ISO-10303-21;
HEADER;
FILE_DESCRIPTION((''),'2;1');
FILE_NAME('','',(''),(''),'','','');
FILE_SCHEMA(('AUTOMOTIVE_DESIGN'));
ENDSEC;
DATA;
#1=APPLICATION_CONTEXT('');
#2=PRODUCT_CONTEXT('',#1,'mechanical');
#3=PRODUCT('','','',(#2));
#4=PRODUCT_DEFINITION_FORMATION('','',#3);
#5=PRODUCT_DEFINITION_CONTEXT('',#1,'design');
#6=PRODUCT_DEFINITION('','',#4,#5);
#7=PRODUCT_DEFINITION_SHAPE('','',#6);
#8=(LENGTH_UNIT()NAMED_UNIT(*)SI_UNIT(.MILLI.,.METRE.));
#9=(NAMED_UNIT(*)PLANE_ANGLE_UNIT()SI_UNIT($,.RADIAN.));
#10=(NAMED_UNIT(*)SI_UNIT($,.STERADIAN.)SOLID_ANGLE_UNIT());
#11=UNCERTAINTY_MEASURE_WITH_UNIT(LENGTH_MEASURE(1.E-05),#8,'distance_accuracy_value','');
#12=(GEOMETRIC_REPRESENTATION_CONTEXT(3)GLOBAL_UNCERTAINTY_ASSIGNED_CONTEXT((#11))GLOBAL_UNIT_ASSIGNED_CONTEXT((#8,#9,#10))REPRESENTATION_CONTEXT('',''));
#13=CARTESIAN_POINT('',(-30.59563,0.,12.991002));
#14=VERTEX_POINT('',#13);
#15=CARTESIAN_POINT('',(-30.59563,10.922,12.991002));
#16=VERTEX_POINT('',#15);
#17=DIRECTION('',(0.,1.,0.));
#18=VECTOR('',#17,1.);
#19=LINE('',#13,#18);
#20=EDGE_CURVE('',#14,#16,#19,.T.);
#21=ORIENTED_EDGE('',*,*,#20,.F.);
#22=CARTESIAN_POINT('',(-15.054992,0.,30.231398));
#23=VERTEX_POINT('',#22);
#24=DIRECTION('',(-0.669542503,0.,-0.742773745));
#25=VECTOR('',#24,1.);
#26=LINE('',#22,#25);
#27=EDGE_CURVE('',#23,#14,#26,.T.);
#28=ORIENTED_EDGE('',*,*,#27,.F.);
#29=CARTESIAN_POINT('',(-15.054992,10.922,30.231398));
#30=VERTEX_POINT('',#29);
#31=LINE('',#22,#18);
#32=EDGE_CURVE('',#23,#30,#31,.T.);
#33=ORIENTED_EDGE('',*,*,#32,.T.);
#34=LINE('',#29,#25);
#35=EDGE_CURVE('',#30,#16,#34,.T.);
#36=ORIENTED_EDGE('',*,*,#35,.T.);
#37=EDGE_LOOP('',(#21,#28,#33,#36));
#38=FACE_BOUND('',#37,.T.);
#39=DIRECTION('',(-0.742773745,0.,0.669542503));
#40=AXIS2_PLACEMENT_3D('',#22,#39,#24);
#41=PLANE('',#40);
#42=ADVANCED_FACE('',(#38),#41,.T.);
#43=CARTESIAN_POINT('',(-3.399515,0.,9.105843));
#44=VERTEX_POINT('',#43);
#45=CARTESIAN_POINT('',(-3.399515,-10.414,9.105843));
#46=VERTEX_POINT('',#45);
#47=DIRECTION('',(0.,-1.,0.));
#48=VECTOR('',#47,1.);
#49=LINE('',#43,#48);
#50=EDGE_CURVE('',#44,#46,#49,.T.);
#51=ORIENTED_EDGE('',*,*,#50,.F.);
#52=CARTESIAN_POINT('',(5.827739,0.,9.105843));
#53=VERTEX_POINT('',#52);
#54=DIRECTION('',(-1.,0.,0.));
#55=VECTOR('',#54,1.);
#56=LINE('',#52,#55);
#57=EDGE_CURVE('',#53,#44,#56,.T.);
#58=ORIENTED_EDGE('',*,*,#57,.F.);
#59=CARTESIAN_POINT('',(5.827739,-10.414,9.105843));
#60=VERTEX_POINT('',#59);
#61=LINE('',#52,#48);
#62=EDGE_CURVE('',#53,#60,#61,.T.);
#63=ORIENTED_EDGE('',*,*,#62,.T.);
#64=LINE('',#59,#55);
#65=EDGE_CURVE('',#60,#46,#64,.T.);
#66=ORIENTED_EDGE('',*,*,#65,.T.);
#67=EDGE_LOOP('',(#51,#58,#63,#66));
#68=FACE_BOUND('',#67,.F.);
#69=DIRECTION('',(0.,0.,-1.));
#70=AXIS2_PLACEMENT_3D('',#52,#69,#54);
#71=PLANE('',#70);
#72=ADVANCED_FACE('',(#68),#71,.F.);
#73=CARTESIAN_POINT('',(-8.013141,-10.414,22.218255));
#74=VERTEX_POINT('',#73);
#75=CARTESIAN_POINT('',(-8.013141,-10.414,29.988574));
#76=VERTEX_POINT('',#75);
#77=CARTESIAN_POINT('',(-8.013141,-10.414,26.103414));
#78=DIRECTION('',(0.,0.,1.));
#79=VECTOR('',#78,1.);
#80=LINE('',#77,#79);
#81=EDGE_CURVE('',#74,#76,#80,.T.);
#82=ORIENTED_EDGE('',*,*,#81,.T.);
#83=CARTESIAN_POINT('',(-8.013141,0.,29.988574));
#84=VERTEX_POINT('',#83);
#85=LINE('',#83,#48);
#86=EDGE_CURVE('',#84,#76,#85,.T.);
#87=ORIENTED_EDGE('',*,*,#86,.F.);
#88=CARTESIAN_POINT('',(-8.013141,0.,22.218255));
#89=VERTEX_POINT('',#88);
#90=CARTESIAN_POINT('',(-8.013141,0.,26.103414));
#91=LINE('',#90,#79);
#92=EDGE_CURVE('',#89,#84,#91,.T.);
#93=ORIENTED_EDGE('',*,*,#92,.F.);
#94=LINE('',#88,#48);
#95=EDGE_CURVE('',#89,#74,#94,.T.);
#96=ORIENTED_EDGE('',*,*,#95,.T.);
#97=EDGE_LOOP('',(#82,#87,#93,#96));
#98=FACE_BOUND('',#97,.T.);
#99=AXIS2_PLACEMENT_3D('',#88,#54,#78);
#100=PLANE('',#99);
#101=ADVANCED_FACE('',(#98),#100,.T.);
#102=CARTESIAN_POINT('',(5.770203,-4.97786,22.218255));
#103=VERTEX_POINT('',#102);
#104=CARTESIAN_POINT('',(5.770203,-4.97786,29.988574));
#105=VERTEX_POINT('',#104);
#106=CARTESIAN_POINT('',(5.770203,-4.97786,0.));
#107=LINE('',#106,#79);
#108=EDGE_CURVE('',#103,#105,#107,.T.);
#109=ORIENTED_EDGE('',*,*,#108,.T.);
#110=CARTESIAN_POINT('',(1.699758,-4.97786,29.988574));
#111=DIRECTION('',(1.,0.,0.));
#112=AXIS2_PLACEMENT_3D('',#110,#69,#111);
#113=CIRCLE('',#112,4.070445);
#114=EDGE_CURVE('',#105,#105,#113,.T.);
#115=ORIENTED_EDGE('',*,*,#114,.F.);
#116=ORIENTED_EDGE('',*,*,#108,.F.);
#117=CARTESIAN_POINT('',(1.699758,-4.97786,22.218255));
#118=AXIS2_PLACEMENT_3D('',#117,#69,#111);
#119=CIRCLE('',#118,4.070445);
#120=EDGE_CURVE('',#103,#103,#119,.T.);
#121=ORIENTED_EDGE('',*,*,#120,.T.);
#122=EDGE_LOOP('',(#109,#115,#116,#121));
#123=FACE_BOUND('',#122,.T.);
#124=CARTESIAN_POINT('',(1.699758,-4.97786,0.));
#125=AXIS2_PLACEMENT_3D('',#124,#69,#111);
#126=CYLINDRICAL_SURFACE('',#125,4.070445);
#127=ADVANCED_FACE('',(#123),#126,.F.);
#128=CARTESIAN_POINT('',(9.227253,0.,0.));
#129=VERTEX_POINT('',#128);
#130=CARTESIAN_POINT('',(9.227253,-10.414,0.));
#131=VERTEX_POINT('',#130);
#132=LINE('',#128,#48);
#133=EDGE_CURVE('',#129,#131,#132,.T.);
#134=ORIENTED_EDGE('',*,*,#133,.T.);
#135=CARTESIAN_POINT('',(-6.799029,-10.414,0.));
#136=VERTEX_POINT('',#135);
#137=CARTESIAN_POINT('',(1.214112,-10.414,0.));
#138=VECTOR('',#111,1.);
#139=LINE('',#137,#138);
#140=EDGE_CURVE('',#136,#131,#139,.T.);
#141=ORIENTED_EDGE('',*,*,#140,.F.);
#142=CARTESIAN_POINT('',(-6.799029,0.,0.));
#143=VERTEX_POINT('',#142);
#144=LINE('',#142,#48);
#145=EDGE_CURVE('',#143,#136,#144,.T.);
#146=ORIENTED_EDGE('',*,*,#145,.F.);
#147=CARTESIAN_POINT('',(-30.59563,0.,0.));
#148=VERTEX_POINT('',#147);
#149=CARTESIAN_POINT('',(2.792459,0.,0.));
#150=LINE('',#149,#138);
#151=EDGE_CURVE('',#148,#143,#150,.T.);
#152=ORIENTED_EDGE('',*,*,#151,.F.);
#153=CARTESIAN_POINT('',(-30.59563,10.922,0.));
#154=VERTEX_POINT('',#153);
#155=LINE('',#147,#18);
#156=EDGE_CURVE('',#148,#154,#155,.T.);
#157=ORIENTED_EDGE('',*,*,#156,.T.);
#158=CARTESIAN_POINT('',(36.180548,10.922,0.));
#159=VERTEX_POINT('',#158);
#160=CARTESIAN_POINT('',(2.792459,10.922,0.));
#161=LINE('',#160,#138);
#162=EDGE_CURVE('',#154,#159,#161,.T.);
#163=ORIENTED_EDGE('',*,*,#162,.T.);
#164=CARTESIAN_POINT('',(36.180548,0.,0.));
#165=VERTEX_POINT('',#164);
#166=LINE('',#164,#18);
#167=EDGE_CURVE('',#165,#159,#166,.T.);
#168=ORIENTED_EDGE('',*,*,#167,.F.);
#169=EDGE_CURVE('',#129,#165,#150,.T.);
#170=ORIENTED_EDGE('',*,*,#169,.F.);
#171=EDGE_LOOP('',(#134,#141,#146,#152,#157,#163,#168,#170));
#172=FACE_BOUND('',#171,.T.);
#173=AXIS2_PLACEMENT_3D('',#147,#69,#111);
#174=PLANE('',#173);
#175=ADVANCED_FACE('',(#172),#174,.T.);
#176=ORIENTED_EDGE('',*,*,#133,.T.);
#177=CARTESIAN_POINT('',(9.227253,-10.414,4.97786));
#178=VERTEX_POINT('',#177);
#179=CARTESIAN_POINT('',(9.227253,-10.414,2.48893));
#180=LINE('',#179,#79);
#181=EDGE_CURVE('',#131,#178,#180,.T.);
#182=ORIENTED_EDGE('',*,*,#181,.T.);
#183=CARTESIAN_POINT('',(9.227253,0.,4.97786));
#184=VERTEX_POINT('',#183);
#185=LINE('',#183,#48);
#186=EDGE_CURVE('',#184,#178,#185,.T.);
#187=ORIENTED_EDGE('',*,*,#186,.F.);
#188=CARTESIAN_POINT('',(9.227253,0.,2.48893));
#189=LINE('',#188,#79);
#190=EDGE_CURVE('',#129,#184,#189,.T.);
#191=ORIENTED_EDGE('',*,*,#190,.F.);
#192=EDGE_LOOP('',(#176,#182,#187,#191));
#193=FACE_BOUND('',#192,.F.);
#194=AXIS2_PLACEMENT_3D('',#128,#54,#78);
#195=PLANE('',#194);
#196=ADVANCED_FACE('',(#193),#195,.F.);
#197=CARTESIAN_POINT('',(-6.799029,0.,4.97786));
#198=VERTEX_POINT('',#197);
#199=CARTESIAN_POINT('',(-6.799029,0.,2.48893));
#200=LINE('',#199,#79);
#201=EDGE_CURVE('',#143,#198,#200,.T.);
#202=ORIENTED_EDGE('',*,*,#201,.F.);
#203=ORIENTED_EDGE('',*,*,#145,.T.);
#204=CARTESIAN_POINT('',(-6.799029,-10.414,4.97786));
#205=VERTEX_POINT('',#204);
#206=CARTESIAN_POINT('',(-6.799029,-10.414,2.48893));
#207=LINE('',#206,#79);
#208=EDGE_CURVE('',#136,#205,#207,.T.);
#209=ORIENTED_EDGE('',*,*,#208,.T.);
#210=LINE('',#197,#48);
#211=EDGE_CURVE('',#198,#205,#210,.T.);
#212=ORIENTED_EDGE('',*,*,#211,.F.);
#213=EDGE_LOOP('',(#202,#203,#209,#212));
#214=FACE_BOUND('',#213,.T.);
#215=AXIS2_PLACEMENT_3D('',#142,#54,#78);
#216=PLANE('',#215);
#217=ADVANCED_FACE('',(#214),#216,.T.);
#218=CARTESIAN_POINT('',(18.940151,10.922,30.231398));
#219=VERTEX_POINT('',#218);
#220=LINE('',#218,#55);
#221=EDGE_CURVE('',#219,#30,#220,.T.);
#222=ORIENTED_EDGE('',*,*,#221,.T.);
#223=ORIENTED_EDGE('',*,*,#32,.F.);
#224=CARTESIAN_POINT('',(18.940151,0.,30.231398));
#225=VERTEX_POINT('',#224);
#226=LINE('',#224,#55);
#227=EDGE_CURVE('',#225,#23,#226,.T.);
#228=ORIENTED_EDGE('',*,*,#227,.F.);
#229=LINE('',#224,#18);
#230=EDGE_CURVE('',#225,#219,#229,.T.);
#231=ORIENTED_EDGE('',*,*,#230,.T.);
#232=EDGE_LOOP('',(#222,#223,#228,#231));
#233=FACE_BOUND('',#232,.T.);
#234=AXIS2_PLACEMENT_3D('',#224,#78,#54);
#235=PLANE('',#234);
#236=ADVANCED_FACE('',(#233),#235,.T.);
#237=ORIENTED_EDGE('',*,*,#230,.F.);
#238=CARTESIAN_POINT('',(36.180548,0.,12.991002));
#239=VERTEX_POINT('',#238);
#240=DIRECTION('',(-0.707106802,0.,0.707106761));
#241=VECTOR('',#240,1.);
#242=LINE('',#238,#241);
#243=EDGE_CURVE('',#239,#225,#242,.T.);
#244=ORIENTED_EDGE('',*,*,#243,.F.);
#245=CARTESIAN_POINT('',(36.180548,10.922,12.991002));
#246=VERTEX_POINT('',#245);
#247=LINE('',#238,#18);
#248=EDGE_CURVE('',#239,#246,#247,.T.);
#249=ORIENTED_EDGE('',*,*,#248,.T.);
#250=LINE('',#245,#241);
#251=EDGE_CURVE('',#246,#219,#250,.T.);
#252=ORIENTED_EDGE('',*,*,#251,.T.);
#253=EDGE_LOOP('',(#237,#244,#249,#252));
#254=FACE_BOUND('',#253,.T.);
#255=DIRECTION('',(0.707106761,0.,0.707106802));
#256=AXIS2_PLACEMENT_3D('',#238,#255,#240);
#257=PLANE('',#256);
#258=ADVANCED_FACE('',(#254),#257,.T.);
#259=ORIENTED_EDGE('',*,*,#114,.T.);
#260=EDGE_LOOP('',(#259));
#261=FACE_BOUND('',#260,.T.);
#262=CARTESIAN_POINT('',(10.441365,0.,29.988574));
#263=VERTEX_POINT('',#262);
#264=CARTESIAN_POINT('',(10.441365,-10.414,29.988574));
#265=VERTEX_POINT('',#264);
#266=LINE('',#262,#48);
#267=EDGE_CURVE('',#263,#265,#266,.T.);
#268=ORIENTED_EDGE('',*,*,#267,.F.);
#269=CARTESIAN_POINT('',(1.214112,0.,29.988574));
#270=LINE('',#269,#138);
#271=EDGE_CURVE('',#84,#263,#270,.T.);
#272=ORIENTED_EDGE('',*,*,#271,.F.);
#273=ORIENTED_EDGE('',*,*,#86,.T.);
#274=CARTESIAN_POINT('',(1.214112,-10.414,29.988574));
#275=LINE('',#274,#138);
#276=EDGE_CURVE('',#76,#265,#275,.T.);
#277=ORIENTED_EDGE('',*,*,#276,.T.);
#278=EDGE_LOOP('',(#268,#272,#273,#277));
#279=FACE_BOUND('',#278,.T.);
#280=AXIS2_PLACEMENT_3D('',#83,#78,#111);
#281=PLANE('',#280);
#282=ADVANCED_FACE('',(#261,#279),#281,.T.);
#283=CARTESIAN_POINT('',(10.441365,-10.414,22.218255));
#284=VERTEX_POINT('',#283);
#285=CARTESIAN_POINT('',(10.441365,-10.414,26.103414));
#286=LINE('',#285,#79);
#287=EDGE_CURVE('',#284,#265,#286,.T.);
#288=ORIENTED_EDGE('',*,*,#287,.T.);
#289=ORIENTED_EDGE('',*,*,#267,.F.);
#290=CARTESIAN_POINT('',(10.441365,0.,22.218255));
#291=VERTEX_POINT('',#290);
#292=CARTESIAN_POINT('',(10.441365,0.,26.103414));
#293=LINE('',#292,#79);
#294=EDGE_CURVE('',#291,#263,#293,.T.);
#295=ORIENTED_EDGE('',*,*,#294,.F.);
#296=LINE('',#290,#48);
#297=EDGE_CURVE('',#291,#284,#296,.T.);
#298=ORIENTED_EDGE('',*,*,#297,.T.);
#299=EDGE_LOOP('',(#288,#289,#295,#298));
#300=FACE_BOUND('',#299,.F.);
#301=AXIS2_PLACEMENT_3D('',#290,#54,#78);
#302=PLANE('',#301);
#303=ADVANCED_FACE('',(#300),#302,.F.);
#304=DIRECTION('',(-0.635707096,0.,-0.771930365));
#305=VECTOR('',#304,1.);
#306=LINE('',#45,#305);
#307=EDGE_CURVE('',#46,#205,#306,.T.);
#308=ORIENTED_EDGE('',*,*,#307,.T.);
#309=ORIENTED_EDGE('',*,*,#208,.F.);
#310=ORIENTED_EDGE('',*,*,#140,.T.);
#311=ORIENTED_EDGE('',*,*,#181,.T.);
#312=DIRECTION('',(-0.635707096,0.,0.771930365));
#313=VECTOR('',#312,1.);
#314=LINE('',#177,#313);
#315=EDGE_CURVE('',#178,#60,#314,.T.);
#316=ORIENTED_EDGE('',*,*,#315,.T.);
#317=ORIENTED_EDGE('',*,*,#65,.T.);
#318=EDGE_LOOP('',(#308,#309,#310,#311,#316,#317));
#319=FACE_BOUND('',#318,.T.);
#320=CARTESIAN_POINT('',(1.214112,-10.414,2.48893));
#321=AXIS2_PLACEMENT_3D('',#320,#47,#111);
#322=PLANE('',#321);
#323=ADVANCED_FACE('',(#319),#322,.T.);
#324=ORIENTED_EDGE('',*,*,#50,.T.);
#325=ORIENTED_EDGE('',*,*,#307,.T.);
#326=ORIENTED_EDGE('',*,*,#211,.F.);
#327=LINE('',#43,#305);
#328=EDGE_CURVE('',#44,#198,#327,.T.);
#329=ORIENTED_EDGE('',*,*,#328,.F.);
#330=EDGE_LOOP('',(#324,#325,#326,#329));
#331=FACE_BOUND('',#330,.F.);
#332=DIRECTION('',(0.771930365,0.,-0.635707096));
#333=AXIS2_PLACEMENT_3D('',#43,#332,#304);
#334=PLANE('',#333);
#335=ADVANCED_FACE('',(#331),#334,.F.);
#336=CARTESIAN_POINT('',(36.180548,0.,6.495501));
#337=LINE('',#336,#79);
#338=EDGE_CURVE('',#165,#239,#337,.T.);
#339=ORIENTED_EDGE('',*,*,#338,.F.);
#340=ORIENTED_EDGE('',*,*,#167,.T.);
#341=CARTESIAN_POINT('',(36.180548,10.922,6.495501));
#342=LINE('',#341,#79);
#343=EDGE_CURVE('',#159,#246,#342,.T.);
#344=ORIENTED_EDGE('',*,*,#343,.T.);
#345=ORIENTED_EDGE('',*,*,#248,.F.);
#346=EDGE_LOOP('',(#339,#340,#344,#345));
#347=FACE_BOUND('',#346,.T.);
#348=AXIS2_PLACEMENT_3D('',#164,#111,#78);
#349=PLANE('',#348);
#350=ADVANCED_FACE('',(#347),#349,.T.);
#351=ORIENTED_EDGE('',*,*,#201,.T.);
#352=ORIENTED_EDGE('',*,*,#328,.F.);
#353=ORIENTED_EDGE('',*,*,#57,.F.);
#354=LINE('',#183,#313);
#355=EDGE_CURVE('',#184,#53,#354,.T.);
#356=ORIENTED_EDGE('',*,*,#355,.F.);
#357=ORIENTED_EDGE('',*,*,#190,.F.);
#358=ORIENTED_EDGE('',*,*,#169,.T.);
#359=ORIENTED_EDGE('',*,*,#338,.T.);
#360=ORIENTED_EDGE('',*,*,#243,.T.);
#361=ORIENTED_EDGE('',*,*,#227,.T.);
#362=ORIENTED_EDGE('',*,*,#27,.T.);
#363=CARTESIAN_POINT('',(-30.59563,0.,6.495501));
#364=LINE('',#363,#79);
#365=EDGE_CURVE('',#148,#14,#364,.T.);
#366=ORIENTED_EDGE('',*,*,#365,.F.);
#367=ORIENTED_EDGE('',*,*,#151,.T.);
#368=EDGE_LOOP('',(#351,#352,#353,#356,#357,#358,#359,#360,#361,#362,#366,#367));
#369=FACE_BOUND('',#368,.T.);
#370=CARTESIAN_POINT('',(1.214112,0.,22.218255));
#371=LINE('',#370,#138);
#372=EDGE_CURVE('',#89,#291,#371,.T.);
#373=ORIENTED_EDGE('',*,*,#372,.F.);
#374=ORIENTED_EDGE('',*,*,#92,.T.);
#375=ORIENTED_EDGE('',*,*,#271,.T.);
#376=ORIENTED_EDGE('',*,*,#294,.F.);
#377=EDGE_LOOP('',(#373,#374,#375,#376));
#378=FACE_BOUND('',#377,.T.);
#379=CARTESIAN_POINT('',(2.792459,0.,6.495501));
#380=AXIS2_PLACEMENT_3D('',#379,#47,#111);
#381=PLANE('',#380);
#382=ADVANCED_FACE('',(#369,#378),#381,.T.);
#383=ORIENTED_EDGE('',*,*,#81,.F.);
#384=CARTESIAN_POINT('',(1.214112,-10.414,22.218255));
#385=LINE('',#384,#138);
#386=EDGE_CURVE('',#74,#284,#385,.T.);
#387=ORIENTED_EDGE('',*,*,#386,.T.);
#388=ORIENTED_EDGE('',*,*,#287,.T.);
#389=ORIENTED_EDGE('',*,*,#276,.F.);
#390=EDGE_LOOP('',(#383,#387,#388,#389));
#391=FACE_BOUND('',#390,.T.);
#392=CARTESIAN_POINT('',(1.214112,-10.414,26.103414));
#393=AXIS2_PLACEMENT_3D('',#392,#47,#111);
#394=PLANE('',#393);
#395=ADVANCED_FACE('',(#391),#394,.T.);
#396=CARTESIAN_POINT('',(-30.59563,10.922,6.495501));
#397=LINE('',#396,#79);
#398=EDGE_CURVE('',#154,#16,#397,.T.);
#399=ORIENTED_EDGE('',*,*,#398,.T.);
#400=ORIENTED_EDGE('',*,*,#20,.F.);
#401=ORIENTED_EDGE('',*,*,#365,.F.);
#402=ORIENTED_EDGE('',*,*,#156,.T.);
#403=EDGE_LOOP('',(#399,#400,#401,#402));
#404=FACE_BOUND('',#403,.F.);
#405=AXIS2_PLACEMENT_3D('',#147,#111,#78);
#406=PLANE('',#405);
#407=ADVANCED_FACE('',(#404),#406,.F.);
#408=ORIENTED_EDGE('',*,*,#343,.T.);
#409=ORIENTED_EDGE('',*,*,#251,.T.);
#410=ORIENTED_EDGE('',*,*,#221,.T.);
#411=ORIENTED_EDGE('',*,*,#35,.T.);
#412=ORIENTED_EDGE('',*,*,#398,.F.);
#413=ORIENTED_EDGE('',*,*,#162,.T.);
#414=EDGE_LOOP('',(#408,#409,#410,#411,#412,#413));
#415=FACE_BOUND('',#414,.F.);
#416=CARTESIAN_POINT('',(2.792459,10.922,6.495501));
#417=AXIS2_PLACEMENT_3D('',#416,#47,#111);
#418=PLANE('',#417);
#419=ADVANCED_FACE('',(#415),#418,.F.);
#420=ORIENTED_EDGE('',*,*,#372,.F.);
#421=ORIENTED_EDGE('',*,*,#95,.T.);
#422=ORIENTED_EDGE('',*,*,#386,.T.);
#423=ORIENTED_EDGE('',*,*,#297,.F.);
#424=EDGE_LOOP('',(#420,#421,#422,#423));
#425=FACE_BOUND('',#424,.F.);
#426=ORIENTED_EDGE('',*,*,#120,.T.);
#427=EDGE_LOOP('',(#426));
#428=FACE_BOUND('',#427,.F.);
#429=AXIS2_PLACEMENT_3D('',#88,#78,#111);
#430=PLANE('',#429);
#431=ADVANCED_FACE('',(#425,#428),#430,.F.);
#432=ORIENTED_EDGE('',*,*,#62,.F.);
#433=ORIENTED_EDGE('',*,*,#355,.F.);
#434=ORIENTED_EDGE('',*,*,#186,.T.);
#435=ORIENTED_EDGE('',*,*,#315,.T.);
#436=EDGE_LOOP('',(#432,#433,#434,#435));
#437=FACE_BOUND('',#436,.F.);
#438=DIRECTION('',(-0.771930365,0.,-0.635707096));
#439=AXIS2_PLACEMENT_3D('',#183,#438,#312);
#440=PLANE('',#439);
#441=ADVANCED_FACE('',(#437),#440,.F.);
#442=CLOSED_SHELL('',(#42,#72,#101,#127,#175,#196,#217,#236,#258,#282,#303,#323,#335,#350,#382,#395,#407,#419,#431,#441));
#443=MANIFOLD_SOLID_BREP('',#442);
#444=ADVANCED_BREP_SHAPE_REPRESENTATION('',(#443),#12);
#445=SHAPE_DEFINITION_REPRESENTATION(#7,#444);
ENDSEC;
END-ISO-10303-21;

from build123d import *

# Parameters (mm, degrees)
F0_W     = 66.776178
F0_H     = 12.991002
F1_DEPTH = 10.922
F2_W     = 18.454506
F2_H     = 7.770319
F3_DEPTH = 10.414
F4_R     = 4.070445
F5_DEPTH = 37.846
F6_W     = 16.026282
F6_H     = 4.97786
F7_DEPTH = 10.414


with BuildPart() as f1:
    # F0 (on Front) → F1 (new body)
    with BuildSketch(Plane.XZ):
        with Locations((2.792459, 6.495501)):
            Rectangle(F0_W, F0_H)
        Polygon((-15.054992, 30.231398), (-30.59563, 12.991002), (36.180548, 12.991002), (18.940151, 30.231398), align=None)
    extrude(amount=-F1_DEPTH)

    # F2 (on Front) → F3 (join)
    with BuildSketch(Plane.XZ):
        with Locations((1.214112, 26.103414)):
            Rectangle(F2_W, F2_H)
    extrude(amount=F3_DEPTH)

    # F4 (on Top) → F5 (cut)
    with BuildSketch(Plane.XY):
        with Locations((1.699758, -4.97786)):
            Circle(F4_R)
    extrude(amount=F5_DEPTH, mode=Mode.SUBTRACT)

    # F6 (on Front) → F7 (join)
    with BuildSketch(Plane.XZ):
        with Locations((1.214112, 2.48893)):
            Rectangle(F6_W, F6_H)
        Polygon((-3.399515, 9.105843), (-6.799029, 4.97786), (9.227253, 4.97786), (5.827739, 9.105843), align=None)
    extrude(amount=F7_DEPTH)


solid = f1.part
